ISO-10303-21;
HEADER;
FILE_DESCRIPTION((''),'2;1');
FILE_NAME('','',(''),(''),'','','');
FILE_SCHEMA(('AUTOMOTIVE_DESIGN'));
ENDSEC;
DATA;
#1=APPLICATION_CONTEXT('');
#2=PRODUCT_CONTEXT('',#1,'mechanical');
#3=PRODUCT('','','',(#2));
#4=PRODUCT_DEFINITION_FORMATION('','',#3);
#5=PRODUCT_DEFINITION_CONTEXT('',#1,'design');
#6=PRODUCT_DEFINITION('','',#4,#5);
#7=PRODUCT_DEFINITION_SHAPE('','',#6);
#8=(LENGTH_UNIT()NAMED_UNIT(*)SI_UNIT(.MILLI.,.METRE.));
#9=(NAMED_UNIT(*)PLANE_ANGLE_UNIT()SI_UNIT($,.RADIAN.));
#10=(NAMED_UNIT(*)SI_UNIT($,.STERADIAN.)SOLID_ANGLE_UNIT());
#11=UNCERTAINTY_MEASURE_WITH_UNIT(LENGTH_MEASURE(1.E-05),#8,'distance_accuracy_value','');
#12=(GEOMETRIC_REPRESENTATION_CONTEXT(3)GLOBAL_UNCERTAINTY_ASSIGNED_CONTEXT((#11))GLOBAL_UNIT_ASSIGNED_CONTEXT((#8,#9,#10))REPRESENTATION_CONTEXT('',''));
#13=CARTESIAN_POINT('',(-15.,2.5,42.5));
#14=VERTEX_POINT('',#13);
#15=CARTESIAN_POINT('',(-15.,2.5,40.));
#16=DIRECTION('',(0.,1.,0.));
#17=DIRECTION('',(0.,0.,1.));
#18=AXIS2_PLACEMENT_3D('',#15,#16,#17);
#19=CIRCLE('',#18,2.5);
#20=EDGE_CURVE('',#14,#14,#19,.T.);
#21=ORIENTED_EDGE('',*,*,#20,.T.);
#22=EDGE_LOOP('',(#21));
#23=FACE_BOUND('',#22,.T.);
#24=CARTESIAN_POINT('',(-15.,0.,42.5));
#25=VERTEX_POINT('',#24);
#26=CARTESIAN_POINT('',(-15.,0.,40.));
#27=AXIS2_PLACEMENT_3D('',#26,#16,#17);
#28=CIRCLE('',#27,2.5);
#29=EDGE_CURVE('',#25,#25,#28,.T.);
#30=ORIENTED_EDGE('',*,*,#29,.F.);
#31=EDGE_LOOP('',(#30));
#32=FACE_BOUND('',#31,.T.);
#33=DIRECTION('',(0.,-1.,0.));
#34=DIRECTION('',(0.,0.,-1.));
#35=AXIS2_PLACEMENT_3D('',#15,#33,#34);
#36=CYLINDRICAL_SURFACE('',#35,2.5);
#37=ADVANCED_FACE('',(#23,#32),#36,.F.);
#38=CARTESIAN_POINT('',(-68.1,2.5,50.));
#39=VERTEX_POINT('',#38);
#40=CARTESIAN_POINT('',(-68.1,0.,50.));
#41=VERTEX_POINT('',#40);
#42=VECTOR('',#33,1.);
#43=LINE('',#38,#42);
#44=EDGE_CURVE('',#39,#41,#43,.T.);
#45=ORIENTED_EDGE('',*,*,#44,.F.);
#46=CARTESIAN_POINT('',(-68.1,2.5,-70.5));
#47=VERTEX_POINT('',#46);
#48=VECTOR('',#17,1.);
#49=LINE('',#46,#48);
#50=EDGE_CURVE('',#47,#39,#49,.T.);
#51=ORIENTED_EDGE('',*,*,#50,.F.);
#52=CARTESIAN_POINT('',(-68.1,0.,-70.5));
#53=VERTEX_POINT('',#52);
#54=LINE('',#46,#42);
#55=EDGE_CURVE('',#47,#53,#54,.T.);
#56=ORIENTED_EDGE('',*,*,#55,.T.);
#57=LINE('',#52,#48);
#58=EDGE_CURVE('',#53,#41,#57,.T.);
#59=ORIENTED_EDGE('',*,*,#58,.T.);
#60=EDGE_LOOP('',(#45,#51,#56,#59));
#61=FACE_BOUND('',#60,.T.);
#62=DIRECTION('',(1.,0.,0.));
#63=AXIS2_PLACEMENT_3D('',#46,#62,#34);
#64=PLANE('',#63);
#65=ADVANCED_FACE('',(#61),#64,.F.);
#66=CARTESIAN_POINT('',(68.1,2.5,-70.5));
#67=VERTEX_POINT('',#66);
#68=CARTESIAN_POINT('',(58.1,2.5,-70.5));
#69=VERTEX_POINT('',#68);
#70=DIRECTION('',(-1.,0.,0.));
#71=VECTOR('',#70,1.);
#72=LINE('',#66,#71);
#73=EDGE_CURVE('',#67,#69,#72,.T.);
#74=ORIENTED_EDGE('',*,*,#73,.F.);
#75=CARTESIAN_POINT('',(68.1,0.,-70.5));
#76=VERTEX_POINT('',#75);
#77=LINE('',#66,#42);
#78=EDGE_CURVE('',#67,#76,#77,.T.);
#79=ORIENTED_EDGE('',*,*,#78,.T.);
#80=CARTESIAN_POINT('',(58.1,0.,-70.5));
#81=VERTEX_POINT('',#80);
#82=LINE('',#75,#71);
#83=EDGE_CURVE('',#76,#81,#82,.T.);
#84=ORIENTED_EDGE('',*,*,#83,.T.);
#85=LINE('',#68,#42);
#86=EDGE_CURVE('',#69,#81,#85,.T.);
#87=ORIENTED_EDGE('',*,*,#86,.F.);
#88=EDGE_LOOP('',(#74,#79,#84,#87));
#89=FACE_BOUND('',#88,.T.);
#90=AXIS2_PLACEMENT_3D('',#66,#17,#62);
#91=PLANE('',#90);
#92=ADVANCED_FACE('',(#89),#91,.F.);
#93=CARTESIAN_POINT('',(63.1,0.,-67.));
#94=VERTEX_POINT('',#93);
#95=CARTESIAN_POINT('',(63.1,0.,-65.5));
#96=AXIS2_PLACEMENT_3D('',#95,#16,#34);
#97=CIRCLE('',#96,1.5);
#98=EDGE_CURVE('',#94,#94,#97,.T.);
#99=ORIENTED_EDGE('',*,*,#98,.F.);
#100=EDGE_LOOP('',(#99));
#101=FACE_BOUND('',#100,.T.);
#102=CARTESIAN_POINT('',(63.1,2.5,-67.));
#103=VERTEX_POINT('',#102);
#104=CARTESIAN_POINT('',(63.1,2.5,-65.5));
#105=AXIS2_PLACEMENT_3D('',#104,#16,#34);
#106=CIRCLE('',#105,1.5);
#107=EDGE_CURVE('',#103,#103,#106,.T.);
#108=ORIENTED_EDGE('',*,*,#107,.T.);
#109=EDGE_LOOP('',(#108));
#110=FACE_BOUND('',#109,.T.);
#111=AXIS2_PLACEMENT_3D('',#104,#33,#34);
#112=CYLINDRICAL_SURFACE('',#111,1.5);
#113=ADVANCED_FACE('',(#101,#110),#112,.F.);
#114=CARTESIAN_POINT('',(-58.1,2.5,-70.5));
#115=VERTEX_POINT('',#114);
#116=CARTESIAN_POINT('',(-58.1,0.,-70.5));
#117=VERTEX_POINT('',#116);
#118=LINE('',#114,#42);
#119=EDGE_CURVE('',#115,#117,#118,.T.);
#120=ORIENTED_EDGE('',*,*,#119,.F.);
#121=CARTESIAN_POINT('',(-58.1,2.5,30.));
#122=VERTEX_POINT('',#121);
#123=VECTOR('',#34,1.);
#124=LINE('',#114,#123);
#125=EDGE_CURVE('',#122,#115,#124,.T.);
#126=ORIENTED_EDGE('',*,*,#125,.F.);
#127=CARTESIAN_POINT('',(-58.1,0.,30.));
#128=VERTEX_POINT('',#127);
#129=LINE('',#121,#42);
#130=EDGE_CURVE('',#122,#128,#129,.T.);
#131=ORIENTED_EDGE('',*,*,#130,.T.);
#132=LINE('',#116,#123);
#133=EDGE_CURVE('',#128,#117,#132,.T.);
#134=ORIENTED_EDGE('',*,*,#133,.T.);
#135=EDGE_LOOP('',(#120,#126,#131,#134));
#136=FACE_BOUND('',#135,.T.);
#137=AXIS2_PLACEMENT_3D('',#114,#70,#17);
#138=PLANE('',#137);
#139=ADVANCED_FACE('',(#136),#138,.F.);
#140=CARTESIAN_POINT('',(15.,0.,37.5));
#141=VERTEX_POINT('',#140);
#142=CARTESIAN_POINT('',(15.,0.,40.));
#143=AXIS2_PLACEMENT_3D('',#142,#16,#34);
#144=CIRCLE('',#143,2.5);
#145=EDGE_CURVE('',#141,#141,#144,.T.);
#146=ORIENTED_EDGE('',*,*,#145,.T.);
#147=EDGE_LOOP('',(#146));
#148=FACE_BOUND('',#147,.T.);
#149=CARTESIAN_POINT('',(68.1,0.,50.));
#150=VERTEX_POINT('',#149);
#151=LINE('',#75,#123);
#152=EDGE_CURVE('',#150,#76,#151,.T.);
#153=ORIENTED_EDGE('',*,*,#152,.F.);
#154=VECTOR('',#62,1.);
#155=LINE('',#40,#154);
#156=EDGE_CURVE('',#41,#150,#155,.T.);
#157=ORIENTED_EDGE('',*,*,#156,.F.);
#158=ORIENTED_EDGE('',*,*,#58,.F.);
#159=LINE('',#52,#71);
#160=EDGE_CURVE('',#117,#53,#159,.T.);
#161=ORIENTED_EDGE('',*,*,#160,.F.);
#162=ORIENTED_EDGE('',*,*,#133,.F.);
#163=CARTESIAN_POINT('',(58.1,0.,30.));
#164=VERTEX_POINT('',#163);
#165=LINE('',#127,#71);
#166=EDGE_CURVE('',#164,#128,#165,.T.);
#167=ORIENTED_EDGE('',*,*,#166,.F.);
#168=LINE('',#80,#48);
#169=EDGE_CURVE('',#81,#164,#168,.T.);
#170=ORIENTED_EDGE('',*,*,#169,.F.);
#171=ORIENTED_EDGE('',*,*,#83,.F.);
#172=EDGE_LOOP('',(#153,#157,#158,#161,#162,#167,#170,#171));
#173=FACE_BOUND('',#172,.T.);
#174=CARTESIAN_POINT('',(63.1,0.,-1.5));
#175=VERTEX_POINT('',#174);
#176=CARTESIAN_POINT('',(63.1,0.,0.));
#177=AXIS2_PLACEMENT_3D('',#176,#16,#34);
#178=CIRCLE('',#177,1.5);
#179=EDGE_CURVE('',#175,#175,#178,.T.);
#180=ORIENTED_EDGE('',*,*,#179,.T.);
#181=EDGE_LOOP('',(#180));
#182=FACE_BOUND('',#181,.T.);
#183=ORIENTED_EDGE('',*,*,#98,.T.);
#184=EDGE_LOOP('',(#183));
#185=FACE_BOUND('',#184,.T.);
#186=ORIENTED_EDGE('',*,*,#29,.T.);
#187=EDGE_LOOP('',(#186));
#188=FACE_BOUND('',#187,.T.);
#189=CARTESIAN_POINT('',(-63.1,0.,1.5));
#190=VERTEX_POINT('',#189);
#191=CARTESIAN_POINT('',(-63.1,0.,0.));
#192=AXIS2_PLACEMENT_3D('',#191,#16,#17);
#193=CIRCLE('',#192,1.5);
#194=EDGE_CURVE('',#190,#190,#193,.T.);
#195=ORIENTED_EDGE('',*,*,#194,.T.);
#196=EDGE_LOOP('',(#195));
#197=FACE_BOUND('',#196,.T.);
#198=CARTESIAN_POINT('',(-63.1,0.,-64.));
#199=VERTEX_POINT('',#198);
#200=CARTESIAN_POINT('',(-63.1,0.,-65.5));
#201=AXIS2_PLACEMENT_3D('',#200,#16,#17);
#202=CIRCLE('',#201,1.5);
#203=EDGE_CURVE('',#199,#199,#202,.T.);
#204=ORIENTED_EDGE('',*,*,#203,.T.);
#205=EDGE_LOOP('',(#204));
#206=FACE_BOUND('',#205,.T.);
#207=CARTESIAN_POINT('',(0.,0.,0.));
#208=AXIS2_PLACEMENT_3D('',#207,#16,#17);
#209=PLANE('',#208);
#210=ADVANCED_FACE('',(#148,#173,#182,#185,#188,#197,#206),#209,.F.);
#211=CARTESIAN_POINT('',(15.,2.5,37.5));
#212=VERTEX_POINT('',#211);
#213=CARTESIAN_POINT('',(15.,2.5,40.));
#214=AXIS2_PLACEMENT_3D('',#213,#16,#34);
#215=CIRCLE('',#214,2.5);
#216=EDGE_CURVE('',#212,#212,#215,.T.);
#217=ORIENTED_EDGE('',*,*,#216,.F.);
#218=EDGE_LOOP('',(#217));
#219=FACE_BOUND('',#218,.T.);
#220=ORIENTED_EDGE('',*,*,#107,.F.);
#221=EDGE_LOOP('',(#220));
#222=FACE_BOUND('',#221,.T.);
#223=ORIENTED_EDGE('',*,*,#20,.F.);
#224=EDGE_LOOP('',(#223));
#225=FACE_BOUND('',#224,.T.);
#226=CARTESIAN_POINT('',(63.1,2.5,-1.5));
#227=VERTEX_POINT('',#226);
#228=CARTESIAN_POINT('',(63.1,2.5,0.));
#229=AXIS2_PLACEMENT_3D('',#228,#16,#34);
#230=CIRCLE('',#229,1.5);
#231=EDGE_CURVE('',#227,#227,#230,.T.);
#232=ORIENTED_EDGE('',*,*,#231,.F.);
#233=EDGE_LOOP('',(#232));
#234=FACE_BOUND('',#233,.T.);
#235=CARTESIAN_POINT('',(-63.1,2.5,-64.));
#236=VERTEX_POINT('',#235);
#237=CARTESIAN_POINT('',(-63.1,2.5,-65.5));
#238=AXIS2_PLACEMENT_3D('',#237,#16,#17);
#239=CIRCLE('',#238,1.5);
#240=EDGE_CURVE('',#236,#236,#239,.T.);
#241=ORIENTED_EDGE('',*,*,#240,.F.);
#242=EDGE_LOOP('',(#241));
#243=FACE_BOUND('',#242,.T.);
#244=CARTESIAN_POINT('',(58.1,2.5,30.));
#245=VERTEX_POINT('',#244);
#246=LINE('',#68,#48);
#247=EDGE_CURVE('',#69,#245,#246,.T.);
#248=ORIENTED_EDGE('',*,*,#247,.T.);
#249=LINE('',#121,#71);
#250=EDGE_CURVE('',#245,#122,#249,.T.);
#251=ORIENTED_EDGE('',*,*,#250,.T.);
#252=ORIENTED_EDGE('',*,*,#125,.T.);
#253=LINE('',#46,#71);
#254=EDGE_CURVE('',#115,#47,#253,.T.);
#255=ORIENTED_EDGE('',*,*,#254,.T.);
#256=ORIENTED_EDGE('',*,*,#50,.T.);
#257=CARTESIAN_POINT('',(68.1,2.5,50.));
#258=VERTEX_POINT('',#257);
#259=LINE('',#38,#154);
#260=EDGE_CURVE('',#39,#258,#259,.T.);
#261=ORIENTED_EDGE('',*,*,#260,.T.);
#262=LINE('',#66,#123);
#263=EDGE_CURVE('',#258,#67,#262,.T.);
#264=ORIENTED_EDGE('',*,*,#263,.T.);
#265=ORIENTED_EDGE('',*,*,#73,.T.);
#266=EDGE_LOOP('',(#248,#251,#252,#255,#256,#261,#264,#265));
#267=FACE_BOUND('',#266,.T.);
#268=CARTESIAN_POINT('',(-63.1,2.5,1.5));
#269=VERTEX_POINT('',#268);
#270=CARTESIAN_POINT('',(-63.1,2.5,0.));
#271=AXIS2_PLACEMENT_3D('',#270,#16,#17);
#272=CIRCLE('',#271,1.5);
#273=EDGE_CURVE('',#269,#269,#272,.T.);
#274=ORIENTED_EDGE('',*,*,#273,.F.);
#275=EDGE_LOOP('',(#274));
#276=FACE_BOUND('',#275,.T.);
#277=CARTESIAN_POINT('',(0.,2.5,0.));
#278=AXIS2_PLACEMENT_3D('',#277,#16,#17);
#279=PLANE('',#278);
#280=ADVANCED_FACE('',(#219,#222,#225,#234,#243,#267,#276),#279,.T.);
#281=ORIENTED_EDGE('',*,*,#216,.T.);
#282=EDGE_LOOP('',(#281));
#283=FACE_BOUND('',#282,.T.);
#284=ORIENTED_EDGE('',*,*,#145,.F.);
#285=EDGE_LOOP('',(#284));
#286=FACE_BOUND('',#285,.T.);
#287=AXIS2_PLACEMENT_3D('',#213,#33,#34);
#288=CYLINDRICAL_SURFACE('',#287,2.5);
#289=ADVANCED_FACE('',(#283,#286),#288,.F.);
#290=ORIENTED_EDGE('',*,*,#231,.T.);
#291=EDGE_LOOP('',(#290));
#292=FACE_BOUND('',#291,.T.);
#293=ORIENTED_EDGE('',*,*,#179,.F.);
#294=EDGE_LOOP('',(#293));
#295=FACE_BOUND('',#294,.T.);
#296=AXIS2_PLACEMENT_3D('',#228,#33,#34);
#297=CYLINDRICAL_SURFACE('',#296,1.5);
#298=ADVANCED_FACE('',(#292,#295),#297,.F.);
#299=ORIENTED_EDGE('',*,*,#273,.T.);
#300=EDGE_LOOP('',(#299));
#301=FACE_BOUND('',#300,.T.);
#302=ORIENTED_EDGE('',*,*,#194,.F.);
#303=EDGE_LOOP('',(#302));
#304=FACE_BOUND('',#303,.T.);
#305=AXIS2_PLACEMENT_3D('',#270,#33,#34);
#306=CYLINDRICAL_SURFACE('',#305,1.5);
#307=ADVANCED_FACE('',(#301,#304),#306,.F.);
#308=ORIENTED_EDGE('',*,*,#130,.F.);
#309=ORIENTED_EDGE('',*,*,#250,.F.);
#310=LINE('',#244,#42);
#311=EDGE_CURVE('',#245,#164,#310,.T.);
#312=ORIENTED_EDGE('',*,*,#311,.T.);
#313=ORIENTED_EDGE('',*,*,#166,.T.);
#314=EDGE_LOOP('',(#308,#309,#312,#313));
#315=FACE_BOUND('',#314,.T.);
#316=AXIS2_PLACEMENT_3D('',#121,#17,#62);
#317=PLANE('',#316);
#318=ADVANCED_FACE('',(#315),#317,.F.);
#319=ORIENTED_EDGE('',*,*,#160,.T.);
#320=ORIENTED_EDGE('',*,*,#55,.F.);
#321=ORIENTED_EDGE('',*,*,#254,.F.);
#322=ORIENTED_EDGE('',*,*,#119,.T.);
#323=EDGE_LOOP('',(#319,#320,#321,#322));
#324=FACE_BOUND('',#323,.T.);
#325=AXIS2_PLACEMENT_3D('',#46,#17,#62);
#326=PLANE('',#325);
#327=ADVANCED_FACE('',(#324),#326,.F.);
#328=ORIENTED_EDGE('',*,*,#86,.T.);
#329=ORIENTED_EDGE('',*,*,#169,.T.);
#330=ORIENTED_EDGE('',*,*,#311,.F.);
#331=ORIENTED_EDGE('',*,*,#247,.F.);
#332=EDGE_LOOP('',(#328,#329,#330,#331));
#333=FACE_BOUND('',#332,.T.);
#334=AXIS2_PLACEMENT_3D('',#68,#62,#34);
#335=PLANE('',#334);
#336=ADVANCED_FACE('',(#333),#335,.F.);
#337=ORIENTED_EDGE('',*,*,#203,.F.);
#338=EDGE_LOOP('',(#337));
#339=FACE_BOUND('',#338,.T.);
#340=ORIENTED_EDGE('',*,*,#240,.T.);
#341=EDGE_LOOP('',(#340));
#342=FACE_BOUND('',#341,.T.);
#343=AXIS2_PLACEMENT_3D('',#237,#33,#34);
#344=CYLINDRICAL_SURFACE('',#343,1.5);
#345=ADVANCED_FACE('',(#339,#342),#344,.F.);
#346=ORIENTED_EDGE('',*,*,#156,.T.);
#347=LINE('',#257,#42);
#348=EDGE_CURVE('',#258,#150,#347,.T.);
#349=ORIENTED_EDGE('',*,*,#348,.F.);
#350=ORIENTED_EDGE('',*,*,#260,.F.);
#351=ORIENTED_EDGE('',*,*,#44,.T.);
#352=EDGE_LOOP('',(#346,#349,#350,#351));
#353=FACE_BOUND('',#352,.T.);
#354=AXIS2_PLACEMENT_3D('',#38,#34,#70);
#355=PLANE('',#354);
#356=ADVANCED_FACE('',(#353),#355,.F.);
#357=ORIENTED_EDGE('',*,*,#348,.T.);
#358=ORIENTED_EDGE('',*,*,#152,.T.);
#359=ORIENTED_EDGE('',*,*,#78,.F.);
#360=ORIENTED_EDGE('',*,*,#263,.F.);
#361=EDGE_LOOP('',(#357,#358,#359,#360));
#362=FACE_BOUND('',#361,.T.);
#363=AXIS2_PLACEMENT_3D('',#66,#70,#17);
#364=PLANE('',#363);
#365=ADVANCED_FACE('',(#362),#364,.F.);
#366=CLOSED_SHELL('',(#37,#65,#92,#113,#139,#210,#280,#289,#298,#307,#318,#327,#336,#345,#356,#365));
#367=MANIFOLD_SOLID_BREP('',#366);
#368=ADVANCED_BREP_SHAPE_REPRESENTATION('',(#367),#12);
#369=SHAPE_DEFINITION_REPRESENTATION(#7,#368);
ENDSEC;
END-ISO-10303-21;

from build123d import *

# Parameters (mm, degrees)
SKETCH3_R           = 1.5
SKETCH3_R_2         = 2.5
BOSS_EXTRUDE2_DEPTH = 2.5


with BuildPart() as part:
    # Sketch3 → Boss-Extrude2 (new body)
    with BuildSketch(Plane(origin=(0, 0, 0), x_dir=(1, 0, 0), z_dir=(0, 1, 0))):
        Polygon((-68.1, 70.5), (-58.1, 70.5), (-58.1, -30), (58.1, -30), (58.1, 70.5), (68.1, 70.5), (68.1, -50), (-68.1, -50), align=None)
        with Locations(Location((-63.1, 65.5, 0), (0, 0, 270))):
            Circle(SKETCH3_R, mode=Mode.SUBTRACT)
        with Locations(Location((-63.1, 0, 0), (0, 0, 270))):
            Circle(SKETCH3_R, mode=Mode.SUBTRACT)
        with Locations(Location((63.1, 0, 0), (0, 0, 90))):
            Circle(SKETCH3_R, mode=Mode.SUBTRACT)
        with Locations(Location((63.1, 65.5, 0), (0, 0, 90))):
            Circle(SKETCH3_R, mode=Mode.SUBTRACT)
        with Locations(Location((-15, -40, 0), (0, 0, 270))):
            Circle(SKETCH3_R_2, mode=Mode.SUBTRACT)
        with Locations(Location((15, -40, 0), (0, 0, 90))):
            Circle(SKETCH3_R_2, mode=Mode.SUBTRACT)
    extrude(amount=BOSS_EXTRUDE2_DEPTH)


solid = part.part
